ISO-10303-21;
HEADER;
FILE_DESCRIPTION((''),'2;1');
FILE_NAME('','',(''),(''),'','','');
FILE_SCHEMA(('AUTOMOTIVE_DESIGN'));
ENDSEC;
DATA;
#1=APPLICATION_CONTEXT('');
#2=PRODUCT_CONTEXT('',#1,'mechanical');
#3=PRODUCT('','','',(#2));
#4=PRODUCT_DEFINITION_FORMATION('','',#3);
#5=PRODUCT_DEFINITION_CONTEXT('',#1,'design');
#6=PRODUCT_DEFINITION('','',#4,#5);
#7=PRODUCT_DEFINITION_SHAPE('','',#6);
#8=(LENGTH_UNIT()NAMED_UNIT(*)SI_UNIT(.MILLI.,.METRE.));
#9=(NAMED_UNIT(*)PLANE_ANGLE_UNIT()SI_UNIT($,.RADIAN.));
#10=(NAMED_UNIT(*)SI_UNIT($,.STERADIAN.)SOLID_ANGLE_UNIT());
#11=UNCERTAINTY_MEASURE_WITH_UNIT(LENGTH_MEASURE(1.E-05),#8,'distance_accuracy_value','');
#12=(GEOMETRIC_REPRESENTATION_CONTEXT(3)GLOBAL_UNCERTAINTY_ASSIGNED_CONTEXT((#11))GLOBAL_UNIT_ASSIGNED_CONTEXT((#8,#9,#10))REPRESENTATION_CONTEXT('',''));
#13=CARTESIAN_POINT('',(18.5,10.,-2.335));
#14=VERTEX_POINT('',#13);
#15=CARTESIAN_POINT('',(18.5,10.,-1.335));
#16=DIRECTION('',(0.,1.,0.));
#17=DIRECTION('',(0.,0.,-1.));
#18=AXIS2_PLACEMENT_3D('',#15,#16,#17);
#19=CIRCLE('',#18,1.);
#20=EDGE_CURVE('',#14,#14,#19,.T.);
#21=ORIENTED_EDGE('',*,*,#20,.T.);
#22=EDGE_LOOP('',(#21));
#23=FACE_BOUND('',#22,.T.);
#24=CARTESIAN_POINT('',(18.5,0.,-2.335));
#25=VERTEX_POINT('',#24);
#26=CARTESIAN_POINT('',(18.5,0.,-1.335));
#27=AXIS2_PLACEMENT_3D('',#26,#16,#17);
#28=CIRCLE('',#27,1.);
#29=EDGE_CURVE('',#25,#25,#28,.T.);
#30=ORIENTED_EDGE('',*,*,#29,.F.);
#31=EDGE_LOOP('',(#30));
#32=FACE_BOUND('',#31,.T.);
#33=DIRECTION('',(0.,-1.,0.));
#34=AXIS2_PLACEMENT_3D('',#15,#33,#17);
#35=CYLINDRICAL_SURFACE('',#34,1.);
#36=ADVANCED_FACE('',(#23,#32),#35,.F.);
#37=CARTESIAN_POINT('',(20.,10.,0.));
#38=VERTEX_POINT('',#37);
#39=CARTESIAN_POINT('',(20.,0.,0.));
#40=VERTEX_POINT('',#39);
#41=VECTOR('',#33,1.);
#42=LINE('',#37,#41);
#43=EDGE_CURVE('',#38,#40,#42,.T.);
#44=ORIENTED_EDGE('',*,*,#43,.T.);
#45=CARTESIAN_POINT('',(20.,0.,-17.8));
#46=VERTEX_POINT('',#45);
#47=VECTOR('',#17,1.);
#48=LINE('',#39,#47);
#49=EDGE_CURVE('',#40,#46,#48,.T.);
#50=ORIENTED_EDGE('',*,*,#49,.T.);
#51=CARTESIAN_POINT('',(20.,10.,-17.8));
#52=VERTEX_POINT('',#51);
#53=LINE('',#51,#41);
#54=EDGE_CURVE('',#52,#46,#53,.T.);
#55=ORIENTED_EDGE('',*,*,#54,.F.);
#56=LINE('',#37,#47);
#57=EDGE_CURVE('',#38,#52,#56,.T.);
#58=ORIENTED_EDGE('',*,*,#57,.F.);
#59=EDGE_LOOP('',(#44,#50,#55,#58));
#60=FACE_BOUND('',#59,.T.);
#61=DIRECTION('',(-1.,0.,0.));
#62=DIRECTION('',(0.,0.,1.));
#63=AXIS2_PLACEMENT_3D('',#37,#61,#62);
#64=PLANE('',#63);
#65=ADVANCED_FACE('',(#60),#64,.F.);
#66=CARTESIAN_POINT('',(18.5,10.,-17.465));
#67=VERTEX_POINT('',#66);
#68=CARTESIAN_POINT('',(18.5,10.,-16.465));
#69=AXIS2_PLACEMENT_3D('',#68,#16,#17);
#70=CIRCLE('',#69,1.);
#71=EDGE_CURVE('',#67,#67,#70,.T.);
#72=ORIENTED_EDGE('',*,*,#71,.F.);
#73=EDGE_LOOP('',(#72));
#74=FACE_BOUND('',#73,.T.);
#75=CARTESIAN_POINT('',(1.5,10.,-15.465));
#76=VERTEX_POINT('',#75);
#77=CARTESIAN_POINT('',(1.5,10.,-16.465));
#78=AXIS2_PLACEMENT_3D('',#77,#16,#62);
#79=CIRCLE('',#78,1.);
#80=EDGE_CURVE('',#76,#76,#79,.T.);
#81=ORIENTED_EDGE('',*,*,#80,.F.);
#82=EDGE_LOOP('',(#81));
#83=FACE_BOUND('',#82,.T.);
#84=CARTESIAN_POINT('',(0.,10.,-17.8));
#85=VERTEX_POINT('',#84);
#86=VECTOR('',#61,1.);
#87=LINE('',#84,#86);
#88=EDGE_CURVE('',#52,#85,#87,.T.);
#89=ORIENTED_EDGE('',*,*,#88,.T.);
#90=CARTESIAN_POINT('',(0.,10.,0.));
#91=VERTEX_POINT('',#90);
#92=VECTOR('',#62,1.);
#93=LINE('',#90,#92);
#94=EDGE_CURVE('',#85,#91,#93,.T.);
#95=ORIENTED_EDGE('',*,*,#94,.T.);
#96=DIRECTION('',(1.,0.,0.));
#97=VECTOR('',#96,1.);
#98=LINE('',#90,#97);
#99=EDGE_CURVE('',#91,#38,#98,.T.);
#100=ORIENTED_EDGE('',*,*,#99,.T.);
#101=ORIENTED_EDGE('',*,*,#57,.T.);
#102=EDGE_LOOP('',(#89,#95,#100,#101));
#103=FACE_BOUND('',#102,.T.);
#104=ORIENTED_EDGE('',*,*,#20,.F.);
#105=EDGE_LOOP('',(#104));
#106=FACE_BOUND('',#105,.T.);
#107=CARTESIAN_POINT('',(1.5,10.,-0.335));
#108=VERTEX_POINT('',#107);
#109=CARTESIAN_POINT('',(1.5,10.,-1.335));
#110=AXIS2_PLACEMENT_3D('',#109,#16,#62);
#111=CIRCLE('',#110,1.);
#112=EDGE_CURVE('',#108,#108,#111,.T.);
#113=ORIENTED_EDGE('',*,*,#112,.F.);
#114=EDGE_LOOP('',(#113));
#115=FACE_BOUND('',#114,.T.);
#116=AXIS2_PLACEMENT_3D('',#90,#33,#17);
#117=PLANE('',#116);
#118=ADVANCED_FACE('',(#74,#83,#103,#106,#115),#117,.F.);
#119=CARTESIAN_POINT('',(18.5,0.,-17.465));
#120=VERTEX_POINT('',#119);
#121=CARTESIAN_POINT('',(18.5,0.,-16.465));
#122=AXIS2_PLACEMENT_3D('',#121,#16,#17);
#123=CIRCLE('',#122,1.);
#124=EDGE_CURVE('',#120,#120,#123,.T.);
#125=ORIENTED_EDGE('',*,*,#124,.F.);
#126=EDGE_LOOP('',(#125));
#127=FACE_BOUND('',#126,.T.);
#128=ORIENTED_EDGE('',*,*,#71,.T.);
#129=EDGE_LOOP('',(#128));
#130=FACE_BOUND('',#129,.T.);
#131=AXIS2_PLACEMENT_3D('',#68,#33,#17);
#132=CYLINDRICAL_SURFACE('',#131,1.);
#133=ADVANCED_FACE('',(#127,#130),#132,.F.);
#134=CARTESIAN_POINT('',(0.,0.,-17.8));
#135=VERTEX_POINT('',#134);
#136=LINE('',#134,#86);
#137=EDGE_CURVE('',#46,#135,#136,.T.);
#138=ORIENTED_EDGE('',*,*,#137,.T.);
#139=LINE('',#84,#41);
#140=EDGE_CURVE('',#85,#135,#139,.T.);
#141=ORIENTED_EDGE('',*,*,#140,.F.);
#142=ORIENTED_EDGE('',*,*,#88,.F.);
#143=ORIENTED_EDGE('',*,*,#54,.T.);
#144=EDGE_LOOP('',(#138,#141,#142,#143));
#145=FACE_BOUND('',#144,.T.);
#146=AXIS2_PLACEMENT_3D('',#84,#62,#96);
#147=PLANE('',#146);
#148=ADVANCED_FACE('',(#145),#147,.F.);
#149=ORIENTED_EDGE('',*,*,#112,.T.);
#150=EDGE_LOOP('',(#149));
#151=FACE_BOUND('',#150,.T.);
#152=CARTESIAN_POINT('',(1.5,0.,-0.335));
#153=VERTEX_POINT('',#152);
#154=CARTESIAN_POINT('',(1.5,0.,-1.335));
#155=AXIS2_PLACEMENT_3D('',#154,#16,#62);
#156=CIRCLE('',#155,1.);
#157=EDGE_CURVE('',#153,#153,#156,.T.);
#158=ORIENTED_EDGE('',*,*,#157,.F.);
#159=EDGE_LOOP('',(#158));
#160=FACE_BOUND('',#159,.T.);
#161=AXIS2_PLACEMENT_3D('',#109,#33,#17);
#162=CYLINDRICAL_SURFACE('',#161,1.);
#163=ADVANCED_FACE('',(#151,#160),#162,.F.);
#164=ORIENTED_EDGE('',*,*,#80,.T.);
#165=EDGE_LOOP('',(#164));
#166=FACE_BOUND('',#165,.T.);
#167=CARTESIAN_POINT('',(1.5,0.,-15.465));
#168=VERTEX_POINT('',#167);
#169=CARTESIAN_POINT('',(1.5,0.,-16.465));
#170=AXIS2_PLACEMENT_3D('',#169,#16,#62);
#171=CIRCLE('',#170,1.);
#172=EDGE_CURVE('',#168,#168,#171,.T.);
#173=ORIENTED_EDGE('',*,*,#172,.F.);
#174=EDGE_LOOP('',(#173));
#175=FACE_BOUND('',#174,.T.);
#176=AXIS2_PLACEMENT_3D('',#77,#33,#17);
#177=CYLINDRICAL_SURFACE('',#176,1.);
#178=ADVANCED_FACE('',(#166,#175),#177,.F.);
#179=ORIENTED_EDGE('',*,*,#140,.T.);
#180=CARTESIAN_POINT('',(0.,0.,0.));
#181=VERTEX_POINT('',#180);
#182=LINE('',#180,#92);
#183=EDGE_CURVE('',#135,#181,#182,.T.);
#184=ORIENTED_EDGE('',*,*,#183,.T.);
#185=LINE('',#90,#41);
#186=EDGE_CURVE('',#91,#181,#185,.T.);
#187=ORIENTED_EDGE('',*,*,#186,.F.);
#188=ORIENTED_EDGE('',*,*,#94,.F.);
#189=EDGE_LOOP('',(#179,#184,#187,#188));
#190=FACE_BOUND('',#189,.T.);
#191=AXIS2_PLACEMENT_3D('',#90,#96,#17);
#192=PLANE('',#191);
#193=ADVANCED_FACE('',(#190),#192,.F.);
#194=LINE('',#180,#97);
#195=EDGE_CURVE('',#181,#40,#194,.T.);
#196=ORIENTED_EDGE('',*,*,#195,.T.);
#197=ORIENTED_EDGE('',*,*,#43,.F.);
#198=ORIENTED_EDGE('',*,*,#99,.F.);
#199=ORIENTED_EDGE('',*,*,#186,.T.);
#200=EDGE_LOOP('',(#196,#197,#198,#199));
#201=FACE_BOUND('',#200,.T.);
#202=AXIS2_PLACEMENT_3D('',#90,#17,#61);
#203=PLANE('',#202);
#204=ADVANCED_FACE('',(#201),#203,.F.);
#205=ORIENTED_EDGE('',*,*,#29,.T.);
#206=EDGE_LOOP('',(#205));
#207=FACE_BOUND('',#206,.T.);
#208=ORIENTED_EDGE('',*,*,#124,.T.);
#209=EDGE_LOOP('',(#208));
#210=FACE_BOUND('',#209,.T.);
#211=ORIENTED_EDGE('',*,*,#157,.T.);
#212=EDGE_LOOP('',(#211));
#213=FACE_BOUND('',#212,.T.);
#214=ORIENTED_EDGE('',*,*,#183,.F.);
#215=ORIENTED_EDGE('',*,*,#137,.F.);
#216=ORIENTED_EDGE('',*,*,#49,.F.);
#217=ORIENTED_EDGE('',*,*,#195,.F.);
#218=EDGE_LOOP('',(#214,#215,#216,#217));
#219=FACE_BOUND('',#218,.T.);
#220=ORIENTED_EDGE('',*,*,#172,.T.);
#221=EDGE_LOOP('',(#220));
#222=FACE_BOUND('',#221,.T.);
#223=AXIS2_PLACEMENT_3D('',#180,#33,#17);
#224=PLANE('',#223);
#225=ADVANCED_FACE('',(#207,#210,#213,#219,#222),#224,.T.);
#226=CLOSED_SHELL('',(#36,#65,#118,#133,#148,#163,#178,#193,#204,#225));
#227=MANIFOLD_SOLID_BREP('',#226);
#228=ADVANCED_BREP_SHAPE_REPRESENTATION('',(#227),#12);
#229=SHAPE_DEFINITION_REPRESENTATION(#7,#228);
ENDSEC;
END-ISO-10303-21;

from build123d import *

# Parameters (mm, degrees)
SKETCH1_W           = 20
SKETCH1_H           = 17.8
SKETCH1_R           = 1
BOSS_EXTRUDE1_DEPTH = 10


with BuildPart() as part:
    # Sketch1 → Boss-Extrude1 (new body)
    with BuildSketch(Plane(origin=(0, 0, 0), x_dir=(1, 0, 0), z_dir=(0, 1, 0))):
        with Locations((10, 8.9)):
            Rectangle(SKETCH1_W, SKETCH1_H)
        with Locations((1.5, 16.465)):
            Circle(SKETCH1_R, mode=Mode.SUBTRACT)
        with Locations((1.5, 1.335)):
            Circle(SKETCH1_R, mode=Mode.SUBTRACT)
        with Locations((18.5, 1.335)):
            Circle(SKETCH1_R, mode=Mode.SUBTRACT)
        with Locations((18.5, 16.465)):
            Circle(SKETCH1_R, mode=Mode.SUBTRACT)
    extrude(amount=BOSS_EXTRUDE1_DEPTH)


solid = part.part
